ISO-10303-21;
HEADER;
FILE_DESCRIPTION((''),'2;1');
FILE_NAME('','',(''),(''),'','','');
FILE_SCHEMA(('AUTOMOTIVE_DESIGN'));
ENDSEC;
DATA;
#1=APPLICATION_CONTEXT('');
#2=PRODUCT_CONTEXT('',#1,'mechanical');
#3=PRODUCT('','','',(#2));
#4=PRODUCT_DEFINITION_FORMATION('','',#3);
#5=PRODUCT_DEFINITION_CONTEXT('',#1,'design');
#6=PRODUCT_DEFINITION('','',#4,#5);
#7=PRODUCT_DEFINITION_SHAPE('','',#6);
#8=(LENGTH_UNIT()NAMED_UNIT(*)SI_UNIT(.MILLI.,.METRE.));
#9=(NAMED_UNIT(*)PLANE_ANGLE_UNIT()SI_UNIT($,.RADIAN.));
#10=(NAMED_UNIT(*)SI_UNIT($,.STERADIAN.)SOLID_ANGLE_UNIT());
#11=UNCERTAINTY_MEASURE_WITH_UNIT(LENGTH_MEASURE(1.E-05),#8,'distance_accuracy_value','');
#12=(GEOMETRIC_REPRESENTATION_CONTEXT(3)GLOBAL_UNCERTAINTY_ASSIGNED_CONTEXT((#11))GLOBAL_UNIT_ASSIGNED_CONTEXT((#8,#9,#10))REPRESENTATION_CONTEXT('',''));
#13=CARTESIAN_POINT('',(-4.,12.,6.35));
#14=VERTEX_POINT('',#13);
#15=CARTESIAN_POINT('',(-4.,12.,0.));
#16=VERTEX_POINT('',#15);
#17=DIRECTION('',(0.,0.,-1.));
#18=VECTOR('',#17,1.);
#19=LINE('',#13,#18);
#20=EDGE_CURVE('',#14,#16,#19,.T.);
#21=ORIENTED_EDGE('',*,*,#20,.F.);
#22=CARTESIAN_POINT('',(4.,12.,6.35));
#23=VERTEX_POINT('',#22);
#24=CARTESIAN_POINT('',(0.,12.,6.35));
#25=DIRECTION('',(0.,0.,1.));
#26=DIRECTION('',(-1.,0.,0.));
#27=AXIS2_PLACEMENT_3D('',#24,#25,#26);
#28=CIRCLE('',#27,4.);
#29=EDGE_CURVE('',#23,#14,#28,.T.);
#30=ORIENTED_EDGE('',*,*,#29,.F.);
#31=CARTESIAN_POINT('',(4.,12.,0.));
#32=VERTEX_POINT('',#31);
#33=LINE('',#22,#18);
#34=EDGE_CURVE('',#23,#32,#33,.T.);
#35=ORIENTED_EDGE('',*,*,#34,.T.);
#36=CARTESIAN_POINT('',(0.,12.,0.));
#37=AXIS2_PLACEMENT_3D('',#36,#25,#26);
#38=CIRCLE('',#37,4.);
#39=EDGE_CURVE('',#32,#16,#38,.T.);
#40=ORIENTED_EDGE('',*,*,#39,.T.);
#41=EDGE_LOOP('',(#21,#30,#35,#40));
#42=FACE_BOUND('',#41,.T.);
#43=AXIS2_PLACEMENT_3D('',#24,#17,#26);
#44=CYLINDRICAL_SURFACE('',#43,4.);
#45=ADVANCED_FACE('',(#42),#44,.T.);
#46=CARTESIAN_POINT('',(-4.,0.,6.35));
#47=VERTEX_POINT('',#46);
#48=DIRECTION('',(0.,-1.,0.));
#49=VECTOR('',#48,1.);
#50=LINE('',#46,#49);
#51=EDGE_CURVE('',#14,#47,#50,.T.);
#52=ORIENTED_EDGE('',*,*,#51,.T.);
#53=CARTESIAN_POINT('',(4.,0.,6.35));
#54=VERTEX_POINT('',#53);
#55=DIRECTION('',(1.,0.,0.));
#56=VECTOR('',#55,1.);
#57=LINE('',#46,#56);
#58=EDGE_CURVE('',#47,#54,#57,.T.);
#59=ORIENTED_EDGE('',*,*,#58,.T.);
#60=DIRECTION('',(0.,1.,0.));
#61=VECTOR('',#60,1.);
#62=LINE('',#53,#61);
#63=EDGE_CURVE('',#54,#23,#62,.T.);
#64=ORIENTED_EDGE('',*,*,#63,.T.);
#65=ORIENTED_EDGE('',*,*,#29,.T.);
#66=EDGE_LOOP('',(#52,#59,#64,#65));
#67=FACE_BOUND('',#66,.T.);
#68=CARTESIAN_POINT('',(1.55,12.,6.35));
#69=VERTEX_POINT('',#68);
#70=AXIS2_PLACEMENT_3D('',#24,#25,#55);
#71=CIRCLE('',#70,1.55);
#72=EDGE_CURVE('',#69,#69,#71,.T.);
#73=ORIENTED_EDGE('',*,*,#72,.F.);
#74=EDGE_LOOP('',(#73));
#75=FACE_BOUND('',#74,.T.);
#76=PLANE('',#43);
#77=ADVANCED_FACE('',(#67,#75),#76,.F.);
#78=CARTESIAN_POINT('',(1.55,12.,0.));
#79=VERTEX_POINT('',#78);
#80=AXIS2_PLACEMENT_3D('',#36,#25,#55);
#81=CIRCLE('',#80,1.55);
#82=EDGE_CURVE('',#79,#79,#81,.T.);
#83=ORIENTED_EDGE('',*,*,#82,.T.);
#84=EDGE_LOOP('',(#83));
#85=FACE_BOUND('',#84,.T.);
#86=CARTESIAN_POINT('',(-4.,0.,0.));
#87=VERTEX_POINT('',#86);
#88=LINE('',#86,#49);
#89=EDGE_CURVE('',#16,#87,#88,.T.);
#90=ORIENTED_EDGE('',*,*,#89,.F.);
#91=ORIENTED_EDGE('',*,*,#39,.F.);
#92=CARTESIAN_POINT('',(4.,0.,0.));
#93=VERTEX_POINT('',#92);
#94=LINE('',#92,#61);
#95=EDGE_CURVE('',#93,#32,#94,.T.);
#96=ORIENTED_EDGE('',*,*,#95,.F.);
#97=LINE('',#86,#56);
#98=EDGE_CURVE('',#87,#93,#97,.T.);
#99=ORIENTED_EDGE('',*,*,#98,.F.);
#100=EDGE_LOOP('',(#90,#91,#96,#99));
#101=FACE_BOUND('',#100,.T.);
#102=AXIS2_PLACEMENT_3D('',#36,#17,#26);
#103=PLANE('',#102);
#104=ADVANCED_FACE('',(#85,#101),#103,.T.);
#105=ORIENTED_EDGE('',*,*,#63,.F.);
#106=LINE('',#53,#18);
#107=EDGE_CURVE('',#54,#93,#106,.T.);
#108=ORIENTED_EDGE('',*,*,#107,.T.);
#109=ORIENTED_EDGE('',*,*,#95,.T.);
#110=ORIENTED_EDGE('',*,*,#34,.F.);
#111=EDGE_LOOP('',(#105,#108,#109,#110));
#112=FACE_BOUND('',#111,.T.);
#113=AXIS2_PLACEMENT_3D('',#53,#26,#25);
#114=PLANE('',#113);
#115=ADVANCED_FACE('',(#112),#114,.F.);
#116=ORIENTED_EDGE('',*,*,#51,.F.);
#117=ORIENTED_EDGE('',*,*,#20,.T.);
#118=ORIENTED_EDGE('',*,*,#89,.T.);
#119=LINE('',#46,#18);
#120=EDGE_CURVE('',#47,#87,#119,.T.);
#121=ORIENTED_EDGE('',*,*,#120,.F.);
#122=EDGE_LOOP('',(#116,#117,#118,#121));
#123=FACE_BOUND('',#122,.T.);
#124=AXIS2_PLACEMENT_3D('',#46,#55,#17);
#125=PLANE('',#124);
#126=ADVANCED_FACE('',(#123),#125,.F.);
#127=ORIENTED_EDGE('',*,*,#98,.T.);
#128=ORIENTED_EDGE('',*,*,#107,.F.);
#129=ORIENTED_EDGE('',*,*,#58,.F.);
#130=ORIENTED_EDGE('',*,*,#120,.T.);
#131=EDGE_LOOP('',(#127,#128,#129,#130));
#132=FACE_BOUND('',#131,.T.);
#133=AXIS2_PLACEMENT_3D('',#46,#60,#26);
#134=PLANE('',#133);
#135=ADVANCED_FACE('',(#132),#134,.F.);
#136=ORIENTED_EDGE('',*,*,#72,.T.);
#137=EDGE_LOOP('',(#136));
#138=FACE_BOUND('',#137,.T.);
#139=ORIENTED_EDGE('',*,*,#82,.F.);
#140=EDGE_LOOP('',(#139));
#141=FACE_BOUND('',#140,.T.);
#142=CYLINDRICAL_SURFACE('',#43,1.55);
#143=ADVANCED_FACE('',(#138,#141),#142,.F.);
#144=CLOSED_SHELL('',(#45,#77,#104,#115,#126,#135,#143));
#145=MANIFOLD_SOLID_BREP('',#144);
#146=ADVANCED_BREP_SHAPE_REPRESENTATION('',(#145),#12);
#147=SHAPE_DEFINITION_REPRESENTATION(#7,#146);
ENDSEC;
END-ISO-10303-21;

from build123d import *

# Parameters (mm, degrees)
SKETCH1_R           = 1.55
BOSS_EXTRUDE1_DEPTH = 6.35


with BuildPart() as part:
    # Sketch1 → Boss-Extrude1 (new body)
    with BuildSketch(Plane.XY):
        with BuildLine():
            Line((-4, 0), (4, 0))
            Line((4, 0), (4, 12))
            ThreePointArc((4, 12), (0, 16), (-4, 12))
            Line((-4, 12), (-4, 0))
        make_face()
        with Locations((0, 12)):
            Circle(SKETCH1_R, mode=Mode.SUBTRACT)
    extrude(amount=BOSS_EXTRUDE1_DEPTH)


solid = part.part
